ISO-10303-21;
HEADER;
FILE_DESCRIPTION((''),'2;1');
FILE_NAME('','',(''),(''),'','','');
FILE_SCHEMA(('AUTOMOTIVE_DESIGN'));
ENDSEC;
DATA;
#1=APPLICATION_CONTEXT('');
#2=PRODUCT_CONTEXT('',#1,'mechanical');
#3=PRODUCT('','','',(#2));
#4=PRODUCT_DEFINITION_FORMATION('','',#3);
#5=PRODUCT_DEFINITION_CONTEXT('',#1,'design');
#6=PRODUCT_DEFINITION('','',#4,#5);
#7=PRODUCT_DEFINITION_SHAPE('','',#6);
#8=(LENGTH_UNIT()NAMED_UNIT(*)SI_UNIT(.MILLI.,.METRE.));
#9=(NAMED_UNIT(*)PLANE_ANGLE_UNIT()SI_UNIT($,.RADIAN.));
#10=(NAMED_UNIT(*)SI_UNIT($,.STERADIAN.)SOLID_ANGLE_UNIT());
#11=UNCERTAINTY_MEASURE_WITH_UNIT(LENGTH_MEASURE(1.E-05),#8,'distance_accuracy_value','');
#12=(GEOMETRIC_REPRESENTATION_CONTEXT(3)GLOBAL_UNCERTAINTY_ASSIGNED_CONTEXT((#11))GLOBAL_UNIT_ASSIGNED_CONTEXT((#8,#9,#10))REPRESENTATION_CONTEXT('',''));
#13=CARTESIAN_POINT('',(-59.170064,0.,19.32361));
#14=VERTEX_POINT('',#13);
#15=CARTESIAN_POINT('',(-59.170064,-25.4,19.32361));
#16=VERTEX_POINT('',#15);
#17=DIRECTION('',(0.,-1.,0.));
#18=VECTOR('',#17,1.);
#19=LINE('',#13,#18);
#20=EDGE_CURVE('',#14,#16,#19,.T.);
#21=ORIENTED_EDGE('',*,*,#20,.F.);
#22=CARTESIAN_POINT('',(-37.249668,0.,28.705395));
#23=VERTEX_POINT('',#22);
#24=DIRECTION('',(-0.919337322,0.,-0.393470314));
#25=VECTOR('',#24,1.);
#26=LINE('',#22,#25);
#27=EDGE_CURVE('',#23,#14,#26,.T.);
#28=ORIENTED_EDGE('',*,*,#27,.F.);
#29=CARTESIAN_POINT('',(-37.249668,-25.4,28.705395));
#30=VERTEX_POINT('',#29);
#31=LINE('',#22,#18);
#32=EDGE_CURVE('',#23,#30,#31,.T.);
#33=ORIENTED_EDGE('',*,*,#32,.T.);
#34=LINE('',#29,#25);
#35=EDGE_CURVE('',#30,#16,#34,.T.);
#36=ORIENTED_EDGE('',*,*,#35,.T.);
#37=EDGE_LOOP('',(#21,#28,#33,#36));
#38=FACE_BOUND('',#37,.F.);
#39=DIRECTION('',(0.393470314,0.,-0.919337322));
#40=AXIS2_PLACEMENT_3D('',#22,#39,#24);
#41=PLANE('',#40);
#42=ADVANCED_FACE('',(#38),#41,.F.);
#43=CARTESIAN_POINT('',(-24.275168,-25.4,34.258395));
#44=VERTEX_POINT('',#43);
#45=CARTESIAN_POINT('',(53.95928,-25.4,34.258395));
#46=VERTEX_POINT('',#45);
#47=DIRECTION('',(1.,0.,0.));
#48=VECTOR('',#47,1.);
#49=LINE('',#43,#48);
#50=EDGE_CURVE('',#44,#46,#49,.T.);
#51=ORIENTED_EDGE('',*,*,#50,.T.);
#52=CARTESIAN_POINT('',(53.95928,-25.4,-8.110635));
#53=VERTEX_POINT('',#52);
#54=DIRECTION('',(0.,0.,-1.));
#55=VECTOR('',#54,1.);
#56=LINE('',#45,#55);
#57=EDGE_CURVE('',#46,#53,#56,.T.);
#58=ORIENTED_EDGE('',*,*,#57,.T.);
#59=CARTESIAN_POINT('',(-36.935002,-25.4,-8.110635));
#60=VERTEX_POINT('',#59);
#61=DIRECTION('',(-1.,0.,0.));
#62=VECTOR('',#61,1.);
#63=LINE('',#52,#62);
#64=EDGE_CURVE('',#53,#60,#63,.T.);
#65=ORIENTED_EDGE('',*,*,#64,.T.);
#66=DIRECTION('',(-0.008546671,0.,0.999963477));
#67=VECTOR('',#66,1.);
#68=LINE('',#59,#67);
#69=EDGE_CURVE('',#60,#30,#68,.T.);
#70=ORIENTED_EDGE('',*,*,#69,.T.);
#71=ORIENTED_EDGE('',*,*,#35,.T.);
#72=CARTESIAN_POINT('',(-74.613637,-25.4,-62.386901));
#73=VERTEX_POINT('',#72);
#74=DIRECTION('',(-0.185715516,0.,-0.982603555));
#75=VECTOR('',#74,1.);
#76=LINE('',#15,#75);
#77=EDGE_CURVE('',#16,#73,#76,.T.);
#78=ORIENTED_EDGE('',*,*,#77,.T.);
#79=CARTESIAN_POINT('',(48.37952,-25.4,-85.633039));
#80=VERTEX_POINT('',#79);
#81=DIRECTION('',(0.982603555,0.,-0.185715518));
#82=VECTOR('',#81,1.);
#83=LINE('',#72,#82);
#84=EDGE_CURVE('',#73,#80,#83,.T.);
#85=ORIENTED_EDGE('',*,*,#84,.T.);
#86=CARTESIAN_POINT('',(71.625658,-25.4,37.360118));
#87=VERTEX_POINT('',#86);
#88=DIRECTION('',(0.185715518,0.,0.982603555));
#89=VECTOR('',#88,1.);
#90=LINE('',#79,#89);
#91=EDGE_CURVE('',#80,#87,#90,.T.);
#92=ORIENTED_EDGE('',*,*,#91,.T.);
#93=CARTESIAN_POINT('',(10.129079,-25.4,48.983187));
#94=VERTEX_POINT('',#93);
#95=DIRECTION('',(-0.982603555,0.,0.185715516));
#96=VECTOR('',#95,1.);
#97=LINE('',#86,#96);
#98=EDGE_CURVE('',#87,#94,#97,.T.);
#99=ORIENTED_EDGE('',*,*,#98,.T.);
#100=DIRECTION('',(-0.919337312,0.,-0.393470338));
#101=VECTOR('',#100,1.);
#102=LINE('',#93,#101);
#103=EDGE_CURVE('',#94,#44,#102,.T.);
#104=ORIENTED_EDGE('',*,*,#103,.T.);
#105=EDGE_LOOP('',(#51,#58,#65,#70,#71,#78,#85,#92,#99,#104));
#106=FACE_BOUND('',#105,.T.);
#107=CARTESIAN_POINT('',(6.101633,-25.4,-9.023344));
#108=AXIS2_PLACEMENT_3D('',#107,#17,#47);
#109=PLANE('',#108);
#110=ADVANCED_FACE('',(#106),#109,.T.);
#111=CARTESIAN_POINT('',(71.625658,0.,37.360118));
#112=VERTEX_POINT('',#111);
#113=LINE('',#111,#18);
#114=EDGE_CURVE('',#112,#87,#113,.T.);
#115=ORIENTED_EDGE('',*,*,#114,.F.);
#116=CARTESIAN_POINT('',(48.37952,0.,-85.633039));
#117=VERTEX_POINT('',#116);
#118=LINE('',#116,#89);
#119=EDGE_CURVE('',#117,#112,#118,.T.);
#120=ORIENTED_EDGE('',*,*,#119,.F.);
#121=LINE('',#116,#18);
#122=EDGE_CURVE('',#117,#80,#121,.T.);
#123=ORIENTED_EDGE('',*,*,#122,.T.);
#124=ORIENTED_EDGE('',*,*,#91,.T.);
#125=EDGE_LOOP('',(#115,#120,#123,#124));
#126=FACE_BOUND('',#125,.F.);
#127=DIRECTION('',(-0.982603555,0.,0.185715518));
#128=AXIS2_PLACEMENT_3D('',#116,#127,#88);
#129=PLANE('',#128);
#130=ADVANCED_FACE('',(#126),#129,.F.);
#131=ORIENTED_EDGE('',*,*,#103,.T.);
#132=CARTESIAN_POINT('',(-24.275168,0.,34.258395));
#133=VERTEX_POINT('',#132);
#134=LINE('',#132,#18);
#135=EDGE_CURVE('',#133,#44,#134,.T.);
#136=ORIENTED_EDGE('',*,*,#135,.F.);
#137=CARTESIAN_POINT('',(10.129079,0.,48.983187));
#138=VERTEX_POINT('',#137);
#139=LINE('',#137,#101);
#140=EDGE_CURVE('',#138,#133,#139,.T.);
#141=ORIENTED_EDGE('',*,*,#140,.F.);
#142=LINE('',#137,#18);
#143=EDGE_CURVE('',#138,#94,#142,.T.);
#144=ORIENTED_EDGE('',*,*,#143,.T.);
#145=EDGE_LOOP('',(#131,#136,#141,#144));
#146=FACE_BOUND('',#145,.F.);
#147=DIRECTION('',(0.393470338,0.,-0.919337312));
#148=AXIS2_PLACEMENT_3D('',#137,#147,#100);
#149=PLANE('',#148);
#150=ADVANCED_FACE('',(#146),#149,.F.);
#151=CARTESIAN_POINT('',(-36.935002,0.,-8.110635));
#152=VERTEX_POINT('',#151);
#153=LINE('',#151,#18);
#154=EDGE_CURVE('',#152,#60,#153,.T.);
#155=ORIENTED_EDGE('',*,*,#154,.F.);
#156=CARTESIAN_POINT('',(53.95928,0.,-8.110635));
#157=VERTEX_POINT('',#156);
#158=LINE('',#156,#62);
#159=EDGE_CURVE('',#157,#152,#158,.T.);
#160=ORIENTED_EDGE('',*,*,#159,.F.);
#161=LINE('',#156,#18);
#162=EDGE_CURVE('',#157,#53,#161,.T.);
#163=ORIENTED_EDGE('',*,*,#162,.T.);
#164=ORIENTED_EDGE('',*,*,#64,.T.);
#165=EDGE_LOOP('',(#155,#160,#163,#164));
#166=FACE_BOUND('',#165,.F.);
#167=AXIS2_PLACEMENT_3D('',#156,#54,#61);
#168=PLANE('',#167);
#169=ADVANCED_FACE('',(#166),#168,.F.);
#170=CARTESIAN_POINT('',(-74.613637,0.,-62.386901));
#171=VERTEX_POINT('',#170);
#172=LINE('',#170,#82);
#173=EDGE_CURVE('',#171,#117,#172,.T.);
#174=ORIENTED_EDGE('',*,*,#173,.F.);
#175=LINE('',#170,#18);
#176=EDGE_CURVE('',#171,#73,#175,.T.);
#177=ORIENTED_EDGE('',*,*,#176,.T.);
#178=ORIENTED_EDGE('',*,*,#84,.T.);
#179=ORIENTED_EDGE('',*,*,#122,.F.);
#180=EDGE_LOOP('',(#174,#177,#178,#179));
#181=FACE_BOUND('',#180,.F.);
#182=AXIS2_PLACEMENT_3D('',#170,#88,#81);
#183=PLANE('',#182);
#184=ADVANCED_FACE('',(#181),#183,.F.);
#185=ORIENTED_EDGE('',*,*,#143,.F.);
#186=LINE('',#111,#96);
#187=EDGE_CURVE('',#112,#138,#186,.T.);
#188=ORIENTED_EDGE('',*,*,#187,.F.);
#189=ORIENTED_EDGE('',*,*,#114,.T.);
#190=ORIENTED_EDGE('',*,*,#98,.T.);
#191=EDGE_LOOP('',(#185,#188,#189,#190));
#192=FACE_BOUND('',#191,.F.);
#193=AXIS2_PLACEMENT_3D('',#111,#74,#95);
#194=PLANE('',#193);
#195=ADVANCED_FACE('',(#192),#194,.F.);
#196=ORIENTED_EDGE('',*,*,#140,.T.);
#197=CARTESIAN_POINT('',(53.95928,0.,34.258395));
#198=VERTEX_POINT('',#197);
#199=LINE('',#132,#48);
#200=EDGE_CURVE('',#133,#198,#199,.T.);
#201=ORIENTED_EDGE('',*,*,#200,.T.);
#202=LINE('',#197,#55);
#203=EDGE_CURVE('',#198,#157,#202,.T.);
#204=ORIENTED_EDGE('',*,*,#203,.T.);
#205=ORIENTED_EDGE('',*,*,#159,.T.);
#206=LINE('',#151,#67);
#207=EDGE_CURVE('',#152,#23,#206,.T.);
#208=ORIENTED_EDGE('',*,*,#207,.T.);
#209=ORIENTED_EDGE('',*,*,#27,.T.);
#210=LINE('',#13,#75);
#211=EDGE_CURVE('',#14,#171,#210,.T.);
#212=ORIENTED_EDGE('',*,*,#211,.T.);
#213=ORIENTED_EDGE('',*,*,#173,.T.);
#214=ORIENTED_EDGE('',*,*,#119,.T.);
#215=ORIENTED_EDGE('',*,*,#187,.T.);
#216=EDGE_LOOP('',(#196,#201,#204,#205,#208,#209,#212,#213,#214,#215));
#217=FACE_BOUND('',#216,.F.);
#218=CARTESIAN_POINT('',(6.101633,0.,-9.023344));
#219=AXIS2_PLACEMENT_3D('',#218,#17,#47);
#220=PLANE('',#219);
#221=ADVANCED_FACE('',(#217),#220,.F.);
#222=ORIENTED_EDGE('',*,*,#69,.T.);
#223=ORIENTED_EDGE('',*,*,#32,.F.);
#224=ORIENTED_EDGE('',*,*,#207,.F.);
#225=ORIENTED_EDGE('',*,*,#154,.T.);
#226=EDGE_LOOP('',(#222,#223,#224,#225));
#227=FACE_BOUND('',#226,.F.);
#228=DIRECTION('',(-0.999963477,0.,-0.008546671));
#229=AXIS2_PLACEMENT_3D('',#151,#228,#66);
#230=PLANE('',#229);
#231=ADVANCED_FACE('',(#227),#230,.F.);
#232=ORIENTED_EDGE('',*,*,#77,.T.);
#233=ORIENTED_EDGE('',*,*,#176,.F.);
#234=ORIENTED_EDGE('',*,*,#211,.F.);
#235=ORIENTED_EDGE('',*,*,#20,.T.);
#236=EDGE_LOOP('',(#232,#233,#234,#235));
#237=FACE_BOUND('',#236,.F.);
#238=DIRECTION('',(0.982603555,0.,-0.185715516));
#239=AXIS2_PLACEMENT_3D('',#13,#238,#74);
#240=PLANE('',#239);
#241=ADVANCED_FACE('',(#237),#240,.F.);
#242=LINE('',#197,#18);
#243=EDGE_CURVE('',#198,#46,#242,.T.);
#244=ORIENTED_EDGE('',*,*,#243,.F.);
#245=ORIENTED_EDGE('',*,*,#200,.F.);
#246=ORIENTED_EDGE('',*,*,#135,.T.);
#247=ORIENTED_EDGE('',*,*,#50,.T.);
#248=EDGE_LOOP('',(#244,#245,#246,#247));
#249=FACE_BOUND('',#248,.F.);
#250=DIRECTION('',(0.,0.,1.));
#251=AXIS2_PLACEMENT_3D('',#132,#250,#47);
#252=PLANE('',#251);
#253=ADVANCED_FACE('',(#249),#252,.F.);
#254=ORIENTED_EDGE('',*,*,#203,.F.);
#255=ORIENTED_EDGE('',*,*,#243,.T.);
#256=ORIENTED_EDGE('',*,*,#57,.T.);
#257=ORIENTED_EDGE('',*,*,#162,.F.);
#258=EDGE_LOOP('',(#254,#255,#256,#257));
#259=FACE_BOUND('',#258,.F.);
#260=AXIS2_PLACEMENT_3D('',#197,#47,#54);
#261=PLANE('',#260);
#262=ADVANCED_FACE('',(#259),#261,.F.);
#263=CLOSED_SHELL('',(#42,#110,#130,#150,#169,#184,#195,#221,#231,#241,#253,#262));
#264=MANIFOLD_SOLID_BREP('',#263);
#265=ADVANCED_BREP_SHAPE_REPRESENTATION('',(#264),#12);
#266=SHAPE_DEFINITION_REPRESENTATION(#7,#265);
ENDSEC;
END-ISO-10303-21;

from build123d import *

# Parameters (mm, degrees)
F2_DEPTH = 25.4


with BuildPart() as f2:
    # F1 (on face) → F2 (new body)
    with BuildSketch(Plane.XZ):
        Polygon((71.625658, 37.360118), (10.129079, 48.983187), (-24.275168, 34.258395), (53.95928, 34.258395), (53.95928, -8.110635), (-36.935002, -8.110635), (-37.249668, 28.705395), (-59.170064, 19.32361), (-74.613637, -62.386901), (48.37952, -85.633039), align=None)
    extrude(amount=F2_DEPTH)


solid = f2.part
